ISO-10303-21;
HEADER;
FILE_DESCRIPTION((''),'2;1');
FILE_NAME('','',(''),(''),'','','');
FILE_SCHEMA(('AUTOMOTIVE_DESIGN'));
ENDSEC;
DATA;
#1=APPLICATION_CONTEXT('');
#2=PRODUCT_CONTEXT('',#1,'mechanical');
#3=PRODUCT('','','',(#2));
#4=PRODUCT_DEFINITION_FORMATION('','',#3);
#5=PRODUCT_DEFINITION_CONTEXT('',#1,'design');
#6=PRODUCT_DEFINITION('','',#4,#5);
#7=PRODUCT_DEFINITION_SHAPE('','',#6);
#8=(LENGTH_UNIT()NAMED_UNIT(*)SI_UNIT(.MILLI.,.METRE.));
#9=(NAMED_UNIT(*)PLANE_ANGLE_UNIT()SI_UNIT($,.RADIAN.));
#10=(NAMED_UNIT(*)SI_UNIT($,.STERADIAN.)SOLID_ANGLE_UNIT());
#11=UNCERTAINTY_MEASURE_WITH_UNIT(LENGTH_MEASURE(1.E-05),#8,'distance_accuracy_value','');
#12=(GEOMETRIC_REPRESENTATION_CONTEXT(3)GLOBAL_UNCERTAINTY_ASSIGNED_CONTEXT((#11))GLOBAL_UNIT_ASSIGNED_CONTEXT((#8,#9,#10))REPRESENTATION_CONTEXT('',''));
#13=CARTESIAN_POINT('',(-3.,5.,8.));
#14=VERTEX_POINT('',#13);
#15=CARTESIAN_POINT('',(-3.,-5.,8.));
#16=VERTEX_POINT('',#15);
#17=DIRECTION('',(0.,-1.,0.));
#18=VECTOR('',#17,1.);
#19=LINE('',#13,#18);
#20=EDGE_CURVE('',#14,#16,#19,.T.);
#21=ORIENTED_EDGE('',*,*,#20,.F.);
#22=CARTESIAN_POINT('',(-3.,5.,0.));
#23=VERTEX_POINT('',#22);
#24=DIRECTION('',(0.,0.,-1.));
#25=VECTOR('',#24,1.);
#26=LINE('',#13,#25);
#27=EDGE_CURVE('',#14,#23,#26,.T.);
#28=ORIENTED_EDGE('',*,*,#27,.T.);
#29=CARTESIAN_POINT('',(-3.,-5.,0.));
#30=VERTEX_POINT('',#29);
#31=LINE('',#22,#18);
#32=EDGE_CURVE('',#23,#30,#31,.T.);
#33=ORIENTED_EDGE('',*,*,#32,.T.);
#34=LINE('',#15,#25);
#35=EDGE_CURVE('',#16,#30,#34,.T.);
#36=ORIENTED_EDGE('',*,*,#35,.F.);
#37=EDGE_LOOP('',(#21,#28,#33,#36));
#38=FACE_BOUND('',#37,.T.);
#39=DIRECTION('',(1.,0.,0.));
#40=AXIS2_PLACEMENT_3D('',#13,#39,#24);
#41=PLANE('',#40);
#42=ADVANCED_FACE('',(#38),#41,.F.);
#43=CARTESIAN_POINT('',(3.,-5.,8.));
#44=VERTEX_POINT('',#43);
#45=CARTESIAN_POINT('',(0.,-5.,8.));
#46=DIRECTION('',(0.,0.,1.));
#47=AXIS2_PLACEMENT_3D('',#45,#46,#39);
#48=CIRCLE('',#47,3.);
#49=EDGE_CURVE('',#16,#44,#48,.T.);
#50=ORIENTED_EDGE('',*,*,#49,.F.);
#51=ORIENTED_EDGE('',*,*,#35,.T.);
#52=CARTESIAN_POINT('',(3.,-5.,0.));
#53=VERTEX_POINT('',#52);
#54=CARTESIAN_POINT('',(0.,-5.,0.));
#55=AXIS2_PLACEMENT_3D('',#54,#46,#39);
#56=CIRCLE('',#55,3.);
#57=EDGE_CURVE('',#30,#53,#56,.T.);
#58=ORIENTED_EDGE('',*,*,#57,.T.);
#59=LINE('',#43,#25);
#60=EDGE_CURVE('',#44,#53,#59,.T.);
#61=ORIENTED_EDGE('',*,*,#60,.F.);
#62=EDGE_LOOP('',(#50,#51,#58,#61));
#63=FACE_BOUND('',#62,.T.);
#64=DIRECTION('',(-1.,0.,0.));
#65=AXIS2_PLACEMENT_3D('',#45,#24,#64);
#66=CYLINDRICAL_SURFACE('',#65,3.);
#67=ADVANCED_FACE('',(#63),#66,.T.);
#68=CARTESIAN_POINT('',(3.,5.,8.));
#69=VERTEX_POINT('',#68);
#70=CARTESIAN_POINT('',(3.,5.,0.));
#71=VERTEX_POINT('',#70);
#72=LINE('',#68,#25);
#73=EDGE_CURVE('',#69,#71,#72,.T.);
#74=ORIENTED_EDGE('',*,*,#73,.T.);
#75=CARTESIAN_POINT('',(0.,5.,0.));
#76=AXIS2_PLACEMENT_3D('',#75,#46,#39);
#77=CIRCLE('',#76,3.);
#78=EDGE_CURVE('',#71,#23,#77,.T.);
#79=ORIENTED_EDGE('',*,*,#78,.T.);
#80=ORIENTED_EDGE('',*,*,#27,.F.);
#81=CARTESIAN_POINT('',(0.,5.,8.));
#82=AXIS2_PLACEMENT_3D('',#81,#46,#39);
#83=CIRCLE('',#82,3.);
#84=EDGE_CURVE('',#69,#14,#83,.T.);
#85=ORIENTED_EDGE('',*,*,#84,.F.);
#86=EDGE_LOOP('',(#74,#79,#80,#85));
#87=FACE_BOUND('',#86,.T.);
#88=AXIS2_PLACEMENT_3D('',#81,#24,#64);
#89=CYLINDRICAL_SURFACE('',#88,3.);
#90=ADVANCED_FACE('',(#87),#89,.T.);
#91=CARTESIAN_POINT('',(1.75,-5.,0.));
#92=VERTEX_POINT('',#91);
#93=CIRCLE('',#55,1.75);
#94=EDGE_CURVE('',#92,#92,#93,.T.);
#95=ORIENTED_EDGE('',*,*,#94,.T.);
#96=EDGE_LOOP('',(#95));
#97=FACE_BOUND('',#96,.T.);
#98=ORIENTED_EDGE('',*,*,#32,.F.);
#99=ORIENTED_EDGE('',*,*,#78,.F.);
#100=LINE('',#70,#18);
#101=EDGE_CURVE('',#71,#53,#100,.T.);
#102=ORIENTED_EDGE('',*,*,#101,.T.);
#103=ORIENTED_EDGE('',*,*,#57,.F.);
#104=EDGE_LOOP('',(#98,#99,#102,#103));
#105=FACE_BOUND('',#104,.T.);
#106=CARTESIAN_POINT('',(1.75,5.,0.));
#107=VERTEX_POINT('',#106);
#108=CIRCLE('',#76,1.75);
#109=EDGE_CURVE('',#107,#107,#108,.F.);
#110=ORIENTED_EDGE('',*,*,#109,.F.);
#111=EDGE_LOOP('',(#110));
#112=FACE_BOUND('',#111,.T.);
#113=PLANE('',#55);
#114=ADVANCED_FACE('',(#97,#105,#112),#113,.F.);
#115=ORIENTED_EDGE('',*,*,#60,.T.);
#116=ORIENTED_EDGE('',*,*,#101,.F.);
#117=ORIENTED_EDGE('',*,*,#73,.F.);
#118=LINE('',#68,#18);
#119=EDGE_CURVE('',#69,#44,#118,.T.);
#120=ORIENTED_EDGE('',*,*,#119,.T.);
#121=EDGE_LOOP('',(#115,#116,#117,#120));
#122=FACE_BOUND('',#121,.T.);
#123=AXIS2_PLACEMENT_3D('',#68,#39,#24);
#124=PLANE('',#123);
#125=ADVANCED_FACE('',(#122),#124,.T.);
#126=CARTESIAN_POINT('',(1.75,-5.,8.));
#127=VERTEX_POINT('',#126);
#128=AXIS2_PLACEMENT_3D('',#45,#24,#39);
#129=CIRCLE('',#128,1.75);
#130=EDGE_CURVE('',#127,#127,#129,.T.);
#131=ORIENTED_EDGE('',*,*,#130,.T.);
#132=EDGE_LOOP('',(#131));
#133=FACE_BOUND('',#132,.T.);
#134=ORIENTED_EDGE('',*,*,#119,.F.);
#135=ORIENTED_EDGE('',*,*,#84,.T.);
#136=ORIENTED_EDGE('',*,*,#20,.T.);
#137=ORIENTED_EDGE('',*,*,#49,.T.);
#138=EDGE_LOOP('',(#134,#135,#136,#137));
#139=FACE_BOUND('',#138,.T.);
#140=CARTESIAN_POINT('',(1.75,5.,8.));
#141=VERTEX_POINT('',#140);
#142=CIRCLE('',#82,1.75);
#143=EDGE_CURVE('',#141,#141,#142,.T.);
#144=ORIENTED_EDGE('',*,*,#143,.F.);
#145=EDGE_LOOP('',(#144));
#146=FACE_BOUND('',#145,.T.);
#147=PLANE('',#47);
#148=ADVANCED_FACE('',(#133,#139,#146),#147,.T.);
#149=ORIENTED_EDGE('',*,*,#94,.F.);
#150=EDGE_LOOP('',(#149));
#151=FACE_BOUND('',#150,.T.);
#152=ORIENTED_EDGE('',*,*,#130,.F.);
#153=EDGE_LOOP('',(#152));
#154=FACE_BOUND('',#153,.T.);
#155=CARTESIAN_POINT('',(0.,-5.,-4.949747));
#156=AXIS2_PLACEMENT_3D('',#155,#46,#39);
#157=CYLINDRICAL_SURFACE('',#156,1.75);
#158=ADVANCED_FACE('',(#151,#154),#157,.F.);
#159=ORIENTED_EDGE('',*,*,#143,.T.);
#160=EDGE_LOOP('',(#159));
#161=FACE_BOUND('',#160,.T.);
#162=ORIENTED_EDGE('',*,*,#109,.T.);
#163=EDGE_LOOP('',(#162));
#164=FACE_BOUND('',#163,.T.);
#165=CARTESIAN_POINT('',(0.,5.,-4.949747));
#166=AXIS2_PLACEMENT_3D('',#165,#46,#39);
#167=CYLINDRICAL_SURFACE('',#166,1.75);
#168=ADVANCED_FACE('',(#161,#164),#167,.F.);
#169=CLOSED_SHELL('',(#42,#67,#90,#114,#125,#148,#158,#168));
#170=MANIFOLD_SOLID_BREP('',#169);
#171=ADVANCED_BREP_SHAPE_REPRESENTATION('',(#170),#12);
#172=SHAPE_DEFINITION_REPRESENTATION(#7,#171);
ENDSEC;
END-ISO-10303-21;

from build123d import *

# Parameters (mm, degrees)
BOSS_EXTRUDE1_DEPTH      = 8
SCHIZZO1_R               = 1.75
TAGLIO_ESTRUSIONE1_DEPTH = 8


with BuildPart() as part:
    # Sketch1 → Boss-Extrude1 (new body)
    with BuildSketch(Plane.XY):
        with BuildLine():
            Line((-3, 5), (-3, -5))
            ThreePointArc((-3, -5), (0, -8), (3, -5))
            Line((3, -5), (3, 5))
            ThreePointArc((3, 5), (0, 8), (-3, 5))
        make_face()
    extrude(amount=BOSS_EXTRUDE1_DEPTH)

    # Schizzo1 → Taglio-Estrusione1 (cut)
    with BuildSketch(Plane.XY.offset(8)):
        with Locations((0, 5)):
            Circle(SCHIZZO1_R)
    taglio_estrusione1 = extrude(amount=-TAGLIO_ESTRUSIONE1_DEPTH, mode=Mode.SUBTRACT)

    # Specchia1: Taglio-Estrusione1 across plane
    add(taglio_estrusione1.mirror(Plane.ZX), mode=Mode.SUBTRACT)


solid = part.part
